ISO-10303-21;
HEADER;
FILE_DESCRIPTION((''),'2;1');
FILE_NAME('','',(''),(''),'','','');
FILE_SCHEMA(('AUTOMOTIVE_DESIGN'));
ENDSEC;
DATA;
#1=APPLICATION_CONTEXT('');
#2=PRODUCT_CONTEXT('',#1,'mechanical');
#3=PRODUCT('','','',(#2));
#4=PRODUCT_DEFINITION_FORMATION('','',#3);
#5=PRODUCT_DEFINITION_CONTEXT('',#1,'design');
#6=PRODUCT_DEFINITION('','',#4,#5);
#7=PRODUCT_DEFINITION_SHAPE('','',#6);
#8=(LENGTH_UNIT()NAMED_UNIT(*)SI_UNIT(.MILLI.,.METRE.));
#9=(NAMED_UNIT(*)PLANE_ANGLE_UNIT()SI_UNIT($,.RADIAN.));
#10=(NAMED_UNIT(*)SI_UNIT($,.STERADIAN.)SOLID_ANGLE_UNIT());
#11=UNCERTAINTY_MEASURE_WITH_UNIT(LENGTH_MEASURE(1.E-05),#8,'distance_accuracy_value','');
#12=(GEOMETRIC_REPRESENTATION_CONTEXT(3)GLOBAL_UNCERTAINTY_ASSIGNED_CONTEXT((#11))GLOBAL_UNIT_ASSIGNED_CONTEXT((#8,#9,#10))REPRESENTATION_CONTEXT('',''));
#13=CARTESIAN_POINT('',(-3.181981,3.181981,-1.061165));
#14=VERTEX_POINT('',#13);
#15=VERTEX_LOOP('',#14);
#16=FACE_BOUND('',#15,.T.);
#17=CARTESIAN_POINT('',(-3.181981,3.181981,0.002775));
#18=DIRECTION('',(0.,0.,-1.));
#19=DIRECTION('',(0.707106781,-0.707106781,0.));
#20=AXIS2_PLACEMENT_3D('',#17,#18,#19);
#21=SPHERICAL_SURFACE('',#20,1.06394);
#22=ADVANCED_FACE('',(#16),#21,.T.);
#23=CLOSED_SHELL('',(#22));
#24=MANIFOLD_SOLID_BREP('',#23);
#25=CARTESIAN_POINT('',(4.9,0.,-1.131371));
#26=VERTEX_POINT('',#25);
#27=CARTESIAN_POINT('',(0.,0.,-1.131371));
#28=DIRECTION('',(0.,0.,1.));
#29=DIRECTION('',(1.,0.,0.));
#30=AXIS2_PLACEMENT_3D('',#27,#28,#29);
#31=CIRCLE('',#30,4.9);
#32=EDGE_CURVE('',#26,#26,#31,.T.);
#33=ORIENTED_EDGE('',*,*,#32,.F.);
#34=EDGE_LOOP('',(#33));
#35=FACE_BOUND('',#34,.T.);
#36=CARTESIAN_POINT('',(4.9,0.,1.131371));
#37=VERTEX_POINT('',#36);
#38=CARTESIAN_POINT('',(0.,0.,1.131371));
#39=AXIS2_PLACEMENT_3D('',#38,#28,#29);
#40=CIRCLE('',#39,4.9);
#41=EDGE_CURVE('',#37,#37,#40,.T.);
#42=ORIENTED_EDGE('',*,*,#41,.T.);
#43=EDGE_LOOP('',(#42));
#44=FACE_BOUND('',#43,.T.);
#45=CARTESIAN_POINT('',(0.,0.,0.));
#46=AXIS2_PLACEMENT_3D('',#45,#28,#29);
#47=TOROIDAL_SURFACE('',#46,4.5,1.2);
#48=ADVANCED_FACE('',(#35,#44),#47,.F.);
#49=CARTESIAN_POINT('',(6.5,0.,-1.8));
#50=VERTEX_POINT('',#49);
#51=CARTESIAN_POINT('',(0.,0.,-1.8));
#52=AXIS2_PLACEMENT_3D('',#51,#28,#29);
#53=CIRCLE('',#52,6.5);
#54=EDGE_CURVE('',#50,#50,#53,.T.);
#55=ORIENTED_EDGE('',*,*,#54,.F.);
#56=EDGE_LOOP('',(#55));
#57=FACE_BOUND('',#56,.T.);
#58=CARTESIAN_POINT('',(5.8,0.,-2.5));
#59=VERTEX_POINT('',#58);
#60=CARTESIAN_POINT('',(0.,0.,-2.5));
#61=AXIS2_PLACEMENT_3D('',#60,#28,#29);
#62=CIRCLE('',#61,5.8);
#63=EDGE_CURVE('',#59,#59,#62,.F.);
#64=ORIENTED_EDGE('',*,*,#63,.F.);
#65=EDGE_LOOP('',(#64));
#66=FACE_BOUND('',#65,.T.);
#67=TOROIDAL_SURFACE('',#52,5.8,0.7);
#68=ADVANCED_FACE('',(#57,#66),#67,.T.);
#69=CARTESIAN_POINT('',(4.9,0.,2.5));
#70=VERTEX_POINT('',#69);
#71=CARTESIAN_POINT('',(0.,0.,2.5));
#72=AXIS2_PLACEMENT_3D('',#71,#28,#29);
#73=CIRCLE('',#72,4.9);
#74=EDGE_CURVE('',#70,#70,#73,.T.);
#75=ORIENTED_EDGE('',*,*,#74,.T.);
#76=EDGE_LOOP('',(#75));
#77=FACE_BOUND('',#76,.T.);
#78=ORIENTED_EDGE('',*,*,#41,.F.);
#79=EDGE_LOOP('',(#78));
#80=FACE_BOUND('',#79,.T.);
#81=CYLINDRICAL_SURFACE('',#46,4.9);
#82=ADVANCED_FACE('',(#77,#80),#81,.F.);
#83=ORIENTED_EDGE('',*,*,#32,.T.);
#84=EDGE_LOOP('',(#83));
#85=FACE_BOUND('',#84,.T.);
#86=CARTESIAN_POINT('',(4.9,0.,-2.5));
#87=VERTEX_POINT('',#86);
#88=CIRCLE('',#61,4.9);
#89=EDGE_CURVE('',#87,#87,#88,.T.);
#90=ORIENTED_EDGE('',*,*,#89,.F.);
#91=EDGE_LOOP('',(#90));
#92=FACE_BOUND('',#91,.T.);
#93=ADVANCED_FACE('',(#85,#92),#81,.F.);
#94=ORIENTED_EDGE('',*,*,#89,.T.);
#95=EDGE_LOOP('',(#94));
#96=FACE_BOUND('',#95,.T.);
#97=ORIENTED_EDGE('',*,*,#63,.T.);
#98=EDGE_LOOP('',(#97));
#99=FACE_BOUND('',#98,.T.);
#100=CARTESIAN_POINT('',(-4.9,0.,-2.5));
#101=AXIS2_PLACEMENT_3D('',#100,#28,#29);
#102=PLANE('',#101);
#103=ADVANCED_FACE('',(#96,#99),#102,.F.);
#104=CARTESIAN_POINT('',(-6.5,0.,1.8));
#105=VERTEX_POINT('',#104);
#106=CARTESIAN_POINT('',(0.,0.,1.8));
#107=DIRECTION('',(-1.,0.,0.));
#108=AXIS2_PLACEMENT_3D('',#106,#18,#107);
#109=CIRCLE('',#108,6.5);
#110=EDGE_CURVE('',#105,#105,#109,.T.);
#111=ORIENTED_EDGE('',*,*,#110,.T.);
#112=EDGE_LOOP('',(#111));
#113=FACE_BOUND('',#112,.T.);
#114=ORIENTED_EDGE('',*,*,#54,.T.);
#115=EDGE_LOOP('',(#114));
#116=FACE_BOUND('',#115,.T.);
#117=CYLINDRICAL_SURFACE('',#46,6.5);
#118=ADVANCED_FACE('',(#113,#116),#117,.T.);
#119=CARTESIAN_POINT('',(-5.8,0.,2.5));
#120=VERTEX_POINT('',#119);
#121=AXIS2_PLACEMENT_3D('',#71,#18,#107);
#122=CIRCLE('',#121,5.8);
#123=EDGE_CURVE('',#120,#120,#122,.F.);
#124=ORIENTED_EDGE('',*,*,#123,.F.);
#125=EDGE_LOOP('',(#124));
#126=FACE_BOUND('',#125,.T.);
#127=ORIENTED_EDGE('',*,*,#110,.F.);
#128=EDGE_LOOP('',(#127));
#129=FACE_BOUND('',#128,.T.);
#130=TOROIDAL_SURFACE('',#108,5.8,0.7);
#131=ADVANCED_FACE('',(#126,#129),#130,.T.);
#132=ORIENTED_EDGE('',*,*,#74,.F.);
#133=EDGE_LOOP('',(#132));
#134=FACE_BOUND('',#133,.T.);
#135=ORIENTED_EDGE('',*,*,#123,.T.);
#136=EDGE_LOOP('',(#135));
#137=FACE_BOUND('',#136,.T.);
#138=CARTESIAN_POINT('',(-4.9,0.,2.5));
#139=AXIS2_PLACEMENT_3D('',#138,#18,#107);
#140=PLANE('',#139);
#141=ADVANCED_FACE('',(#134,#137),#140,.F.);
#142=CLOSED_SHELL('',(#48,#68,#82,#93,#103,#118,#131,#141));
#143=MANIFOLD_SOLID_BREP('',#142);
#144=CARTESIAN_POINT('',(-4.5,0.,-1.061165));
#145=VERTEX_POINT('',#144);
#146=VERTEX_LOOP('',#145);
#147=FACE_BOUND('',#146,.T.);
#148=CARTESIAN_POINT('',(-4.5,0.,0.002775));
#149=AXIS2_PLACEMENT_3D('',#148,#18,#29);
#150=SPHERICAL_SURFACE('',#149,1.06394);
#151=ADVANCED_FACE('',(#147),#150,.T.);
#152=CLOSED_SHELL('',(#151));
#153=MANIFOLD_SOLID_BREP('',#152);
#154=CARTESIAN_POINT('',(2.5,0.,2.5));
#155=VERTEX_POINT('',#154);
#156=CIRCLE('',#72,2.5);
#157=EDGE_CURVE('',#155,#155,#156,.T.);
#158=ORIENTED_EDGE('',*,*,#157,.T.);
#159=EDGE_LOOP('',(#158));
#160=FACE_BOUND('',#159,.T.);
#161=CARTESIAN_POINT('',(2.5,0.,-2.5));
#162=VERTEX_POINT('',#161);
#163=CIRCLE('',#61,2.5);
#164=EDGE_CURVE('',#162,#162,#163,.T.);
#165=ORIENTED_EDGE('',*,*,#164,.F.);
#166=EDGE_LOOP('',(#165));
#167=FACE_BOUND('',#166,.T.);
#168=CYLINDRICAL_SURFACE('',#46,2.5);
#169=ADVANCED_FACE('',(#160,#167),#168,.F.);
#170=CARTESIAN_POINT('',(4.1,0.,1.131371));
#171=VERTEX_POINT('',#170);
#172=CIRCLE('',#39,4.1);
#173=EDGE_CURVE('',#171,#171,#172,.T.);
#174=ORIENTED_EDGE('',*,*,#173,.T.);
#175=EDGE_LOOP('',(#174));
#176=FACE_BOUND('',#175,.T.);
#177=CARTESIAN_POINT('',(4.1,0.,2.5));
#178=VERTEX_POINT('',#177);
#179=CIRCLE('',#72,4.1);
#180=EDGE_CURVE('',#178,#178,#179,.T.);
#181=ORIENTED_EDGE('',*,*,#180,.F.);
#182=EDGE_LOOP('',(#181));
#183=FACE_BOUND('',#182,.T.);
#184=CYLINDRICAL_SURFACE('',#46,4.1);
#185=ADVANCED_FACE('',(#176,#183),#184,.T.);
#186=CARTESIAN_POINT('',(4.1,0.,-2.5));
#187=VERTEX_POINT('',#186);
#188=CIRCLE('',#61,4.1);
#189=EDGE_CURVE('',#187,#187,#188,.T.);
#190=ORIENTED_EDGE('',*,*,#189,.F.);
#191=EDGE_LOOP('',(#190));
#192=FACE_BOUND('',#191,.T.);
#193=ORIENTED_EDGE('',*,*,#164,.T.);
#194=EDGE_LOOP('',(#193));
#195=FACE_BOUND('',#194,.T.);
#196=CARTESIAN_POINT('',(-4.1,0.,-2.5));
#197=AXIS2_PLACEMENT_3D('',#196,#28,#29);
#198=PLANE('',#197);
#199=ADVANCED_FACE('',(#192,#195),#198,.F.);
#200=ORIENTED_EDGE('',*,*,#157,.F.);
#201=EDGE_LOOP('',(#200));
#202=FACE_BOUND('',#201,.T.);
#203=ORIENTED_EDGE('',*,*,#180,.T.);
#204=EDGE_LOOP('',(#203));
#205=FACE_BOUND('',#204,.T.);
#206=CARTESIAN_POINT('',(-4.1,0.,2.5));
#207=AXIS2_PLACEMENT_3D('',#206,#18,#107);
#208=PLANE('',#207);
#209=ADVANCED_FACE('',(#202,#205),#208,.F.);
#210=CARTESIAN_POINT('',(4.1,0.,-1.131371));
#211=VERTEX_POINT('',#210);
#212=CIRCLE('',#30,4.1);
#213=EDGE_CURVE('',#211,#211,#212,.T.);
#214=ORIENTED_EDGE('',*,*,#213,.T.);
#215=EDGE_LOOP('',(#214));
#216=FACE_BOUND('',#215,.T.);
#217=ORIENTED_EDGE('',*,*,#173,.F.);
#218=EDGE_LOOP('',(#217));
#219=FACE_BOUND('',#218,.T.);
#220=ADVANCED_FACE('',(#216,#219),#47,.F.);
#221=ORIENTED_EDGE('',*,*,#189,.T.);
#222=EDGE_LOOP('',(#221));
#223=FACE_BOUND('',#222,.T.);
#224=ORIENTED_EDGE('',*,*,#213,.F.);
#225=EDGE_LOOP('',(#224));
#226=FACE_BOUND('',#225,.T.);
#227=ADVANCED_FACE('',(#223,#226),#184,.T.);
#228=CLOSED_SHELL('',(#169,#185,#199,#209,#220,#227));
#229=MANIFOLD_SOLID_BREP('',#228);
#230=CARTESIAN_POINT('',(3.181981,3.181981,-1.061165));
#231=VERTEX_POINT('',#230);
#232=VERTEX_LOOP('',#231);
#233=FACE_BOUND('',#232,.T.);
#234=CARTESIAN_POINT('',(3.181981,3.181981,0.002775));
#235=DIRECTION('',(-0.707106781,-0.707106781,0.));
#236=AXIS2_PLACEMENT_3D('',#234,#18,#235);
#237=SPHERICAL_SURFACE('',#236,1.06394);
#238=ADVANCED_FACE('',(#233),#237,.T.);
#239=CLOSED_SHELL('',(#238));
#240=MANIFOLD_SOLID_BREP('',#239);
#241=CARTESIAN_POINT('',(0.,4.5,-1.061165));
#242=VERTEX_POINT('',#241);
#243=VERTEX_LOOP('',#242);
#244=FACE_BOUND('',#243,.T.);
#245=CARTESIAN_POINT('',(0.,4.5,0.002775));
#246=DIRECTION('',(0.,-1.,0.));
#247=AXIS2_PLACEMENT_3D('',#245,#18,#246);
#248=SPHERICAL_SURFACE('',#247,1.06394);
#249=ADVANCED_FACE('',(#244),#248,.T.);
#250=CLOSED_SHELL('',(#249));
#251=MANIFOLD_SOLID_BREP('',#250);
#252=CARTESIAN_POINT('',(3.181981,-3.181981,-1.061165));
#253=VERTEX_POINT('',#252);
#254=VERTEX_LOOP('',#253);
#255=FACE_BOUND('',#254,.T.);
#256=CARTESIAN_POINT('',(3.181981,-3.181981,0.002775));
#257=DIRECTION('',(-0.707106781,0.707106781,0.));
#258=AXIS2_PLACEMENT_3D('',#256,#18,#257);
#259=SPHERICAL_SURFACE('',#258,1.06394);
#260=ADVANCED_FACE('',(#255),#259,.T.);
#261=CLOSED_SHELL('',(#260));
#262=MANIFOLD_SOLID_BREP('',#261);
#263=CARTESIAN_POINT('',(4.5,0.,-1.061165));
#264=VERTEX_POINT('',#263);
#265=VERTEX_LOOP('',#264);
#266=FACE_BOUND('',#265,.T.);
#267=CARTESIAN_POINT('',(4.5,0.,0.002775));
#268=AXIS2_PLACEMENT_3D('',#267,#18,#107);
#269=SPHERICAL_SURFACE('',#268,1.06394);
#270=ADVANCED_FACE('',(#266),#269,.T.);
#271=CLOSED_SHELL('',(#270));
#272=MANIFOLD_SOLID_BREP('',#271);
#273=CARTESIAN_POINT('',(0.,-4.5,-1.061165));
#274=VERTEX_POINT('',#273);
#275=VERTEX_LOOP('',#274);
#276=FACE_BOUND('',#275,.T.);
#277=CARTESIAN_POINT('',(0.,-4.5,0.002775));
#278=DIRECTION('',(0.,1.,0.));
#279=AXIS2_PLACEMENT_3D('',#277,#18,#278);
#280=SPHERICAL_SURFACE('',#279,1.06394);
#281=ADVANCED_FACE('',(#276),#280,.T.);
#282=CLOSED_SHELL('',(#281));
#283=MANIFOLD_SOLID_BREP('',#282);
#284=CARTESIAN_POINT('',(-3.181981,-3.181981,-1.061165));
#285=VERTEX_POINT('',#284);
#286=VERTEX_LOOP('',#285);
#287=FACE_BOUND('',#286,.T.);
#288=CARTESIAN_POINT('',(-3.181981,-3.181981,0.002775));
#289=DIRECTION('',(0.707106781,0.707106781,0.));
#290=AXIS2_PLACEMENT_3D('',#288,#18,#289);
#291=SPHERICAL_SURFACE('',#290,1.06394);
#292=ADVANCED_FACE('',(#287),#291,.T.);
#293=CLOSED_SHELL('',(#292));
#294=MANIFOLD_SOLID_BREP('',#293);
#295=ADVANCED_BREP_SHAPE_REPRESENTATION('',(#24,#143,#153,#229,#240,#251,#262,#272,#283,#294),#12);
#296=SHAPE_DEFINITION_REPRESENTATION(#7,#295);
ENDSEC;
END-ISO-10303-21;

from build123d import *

# Parameters (mm, degrees)
MATRIZC4_COUNT = 8
REDONDEO1_R    = 0.7


with BuildPart() as part:
    # Croquis3 → Revolución4 (revolve)
    with BuildSketch(Plane(origin=(0, 0, 0), x_dir=(1, 0, 0), z_dir=(0, 1, 0)), mode=Mode.PRIVATE) as revoluci_n4_sk:
        with BuildLine():
            Line((-4.9, 2.5), (-6.5, 2.5))
            Line((-6.5, 2.5), (-6.5, -2.5))
            Line((-6.5, -2.5), (-4.9, -2.5))
            Line((-4.9, -2.5), (-4.9, -1.13137085))
            ThreePointArc((-4.9, -1.13137085), (-5.7, 0), (-4.9, 1.13137085))
            Line((-4.9, 1.13137085), (-4.9, 2.5))
        make_face()
        with BuildLine():
            Line((-4.1, 2.5), (-2.5, 2.5))
            Line((-2.5, 2.5), (-2.5, -2.5))
            Line((-2.5, -2.5), (-4.1, -2.5))
            Line((-4.1, -2.5), (-4.1, -1.13137085))
            ThreePointArc((-4.1, -1.13137085), (-3.3, 0), (-4.1, 1.13137085))
            Line((-4.1, 1.13137085), (-4.1, 2.5))
        make_face()
    revolve(revoluci_n4_sk.sketch.rotate(Axis((0, 0, 0), (0, 0, -1)), 180), axis=Axis((0, 0, 0), (0, 0, -1)))

    # Redondeo1
    redondeo1_edges = [part.edges().sort_by_distance(p)[0] for p in [
        (-6.5, 0, -2.5),
        (-6.5, 0, 2.5),
    ]]
    fillet(redondeo1_edges, radius=REDONDEO1_R)


with BuildPart() as body_2:
    # Croquis4 → Revolución3 (revolve)
    with BuildSketch(Plane(origin=(0, 0, 0), x_dir=(1, 0, 0), z_dir=(0, 1, 0))):
        with BuildLine():
            Line((-4.5, 1.061164853), (-4.5, -1.066714374))
            ThreePointArc((-4.5, -1.066714374), (-3.436060387, -0.002774761), (-4.5, 1.061164853))
        make_face()
    revolve(axis=Axis((-4.5, 0, -1.061164853), (0, 0, 1)))


with BuildPart() as matrizc4_1:
    # MatrizC4: pattern copy
    add(body_2.part.rotate(Axis((0, 0, 0), (0, 0, 1)), 1 * 360 / MATRIZC4_COUNT))


with BuildPart() as matrizc4_2:
    # MatrizC4: pattern copy
    add(body_2.part.rotate(Axis((0, 0, 0), (0, 0, 1)), 2 * 360 / MATRIZC4_COUNT))


with BuildPart() as matrizc4_3:
    # MatrizC4: pattern copy
    add(body_2.part.rotate(Axis((0, 0, 0), (0, 0, 1)), 3 * 360 / MATRIZC4_COUNT))


with BuildPart() as matrizc4_4:
    # MatrizC4: pattern copy
    add(body_2.part.rotate(Axis((0, 0, 0), (0, 0, 1)), 4 * 360 / MATRIZC4_COUNT))


with BuildPart() as matrizc4_5:
    # MatrizC4: pattern copy
    add(body_2.part.rotate(Axis((0, 0, 0), (0, 0, 1)), 5 * 360 / MATRIZC4_COUNT))


with BuildPart() as matrizc4_6:
    # MatrizC4: pattern copy
    add(body_2.part.rotate(Axis((0, 0, 0), (0, 0, 1)), 6 * 360 / MATRIZC4_COUNT))


with BuildPart() as matrizc4_7:
    # MatrizC4: pattern copy
    add(body_2.part.rotate(Axis((0, 0, 0), (0, 0, 1)), 7 * 360 / MATRIZC4_COUNT))


solid = Compound([part.part, body_2.part, matrizc4_1.part, matrizc4_2.part, matrizc4_3.part, matrizc4_4.part, matrizc4_5.part, matrizc4_6.part, matrizc4_7.part])
